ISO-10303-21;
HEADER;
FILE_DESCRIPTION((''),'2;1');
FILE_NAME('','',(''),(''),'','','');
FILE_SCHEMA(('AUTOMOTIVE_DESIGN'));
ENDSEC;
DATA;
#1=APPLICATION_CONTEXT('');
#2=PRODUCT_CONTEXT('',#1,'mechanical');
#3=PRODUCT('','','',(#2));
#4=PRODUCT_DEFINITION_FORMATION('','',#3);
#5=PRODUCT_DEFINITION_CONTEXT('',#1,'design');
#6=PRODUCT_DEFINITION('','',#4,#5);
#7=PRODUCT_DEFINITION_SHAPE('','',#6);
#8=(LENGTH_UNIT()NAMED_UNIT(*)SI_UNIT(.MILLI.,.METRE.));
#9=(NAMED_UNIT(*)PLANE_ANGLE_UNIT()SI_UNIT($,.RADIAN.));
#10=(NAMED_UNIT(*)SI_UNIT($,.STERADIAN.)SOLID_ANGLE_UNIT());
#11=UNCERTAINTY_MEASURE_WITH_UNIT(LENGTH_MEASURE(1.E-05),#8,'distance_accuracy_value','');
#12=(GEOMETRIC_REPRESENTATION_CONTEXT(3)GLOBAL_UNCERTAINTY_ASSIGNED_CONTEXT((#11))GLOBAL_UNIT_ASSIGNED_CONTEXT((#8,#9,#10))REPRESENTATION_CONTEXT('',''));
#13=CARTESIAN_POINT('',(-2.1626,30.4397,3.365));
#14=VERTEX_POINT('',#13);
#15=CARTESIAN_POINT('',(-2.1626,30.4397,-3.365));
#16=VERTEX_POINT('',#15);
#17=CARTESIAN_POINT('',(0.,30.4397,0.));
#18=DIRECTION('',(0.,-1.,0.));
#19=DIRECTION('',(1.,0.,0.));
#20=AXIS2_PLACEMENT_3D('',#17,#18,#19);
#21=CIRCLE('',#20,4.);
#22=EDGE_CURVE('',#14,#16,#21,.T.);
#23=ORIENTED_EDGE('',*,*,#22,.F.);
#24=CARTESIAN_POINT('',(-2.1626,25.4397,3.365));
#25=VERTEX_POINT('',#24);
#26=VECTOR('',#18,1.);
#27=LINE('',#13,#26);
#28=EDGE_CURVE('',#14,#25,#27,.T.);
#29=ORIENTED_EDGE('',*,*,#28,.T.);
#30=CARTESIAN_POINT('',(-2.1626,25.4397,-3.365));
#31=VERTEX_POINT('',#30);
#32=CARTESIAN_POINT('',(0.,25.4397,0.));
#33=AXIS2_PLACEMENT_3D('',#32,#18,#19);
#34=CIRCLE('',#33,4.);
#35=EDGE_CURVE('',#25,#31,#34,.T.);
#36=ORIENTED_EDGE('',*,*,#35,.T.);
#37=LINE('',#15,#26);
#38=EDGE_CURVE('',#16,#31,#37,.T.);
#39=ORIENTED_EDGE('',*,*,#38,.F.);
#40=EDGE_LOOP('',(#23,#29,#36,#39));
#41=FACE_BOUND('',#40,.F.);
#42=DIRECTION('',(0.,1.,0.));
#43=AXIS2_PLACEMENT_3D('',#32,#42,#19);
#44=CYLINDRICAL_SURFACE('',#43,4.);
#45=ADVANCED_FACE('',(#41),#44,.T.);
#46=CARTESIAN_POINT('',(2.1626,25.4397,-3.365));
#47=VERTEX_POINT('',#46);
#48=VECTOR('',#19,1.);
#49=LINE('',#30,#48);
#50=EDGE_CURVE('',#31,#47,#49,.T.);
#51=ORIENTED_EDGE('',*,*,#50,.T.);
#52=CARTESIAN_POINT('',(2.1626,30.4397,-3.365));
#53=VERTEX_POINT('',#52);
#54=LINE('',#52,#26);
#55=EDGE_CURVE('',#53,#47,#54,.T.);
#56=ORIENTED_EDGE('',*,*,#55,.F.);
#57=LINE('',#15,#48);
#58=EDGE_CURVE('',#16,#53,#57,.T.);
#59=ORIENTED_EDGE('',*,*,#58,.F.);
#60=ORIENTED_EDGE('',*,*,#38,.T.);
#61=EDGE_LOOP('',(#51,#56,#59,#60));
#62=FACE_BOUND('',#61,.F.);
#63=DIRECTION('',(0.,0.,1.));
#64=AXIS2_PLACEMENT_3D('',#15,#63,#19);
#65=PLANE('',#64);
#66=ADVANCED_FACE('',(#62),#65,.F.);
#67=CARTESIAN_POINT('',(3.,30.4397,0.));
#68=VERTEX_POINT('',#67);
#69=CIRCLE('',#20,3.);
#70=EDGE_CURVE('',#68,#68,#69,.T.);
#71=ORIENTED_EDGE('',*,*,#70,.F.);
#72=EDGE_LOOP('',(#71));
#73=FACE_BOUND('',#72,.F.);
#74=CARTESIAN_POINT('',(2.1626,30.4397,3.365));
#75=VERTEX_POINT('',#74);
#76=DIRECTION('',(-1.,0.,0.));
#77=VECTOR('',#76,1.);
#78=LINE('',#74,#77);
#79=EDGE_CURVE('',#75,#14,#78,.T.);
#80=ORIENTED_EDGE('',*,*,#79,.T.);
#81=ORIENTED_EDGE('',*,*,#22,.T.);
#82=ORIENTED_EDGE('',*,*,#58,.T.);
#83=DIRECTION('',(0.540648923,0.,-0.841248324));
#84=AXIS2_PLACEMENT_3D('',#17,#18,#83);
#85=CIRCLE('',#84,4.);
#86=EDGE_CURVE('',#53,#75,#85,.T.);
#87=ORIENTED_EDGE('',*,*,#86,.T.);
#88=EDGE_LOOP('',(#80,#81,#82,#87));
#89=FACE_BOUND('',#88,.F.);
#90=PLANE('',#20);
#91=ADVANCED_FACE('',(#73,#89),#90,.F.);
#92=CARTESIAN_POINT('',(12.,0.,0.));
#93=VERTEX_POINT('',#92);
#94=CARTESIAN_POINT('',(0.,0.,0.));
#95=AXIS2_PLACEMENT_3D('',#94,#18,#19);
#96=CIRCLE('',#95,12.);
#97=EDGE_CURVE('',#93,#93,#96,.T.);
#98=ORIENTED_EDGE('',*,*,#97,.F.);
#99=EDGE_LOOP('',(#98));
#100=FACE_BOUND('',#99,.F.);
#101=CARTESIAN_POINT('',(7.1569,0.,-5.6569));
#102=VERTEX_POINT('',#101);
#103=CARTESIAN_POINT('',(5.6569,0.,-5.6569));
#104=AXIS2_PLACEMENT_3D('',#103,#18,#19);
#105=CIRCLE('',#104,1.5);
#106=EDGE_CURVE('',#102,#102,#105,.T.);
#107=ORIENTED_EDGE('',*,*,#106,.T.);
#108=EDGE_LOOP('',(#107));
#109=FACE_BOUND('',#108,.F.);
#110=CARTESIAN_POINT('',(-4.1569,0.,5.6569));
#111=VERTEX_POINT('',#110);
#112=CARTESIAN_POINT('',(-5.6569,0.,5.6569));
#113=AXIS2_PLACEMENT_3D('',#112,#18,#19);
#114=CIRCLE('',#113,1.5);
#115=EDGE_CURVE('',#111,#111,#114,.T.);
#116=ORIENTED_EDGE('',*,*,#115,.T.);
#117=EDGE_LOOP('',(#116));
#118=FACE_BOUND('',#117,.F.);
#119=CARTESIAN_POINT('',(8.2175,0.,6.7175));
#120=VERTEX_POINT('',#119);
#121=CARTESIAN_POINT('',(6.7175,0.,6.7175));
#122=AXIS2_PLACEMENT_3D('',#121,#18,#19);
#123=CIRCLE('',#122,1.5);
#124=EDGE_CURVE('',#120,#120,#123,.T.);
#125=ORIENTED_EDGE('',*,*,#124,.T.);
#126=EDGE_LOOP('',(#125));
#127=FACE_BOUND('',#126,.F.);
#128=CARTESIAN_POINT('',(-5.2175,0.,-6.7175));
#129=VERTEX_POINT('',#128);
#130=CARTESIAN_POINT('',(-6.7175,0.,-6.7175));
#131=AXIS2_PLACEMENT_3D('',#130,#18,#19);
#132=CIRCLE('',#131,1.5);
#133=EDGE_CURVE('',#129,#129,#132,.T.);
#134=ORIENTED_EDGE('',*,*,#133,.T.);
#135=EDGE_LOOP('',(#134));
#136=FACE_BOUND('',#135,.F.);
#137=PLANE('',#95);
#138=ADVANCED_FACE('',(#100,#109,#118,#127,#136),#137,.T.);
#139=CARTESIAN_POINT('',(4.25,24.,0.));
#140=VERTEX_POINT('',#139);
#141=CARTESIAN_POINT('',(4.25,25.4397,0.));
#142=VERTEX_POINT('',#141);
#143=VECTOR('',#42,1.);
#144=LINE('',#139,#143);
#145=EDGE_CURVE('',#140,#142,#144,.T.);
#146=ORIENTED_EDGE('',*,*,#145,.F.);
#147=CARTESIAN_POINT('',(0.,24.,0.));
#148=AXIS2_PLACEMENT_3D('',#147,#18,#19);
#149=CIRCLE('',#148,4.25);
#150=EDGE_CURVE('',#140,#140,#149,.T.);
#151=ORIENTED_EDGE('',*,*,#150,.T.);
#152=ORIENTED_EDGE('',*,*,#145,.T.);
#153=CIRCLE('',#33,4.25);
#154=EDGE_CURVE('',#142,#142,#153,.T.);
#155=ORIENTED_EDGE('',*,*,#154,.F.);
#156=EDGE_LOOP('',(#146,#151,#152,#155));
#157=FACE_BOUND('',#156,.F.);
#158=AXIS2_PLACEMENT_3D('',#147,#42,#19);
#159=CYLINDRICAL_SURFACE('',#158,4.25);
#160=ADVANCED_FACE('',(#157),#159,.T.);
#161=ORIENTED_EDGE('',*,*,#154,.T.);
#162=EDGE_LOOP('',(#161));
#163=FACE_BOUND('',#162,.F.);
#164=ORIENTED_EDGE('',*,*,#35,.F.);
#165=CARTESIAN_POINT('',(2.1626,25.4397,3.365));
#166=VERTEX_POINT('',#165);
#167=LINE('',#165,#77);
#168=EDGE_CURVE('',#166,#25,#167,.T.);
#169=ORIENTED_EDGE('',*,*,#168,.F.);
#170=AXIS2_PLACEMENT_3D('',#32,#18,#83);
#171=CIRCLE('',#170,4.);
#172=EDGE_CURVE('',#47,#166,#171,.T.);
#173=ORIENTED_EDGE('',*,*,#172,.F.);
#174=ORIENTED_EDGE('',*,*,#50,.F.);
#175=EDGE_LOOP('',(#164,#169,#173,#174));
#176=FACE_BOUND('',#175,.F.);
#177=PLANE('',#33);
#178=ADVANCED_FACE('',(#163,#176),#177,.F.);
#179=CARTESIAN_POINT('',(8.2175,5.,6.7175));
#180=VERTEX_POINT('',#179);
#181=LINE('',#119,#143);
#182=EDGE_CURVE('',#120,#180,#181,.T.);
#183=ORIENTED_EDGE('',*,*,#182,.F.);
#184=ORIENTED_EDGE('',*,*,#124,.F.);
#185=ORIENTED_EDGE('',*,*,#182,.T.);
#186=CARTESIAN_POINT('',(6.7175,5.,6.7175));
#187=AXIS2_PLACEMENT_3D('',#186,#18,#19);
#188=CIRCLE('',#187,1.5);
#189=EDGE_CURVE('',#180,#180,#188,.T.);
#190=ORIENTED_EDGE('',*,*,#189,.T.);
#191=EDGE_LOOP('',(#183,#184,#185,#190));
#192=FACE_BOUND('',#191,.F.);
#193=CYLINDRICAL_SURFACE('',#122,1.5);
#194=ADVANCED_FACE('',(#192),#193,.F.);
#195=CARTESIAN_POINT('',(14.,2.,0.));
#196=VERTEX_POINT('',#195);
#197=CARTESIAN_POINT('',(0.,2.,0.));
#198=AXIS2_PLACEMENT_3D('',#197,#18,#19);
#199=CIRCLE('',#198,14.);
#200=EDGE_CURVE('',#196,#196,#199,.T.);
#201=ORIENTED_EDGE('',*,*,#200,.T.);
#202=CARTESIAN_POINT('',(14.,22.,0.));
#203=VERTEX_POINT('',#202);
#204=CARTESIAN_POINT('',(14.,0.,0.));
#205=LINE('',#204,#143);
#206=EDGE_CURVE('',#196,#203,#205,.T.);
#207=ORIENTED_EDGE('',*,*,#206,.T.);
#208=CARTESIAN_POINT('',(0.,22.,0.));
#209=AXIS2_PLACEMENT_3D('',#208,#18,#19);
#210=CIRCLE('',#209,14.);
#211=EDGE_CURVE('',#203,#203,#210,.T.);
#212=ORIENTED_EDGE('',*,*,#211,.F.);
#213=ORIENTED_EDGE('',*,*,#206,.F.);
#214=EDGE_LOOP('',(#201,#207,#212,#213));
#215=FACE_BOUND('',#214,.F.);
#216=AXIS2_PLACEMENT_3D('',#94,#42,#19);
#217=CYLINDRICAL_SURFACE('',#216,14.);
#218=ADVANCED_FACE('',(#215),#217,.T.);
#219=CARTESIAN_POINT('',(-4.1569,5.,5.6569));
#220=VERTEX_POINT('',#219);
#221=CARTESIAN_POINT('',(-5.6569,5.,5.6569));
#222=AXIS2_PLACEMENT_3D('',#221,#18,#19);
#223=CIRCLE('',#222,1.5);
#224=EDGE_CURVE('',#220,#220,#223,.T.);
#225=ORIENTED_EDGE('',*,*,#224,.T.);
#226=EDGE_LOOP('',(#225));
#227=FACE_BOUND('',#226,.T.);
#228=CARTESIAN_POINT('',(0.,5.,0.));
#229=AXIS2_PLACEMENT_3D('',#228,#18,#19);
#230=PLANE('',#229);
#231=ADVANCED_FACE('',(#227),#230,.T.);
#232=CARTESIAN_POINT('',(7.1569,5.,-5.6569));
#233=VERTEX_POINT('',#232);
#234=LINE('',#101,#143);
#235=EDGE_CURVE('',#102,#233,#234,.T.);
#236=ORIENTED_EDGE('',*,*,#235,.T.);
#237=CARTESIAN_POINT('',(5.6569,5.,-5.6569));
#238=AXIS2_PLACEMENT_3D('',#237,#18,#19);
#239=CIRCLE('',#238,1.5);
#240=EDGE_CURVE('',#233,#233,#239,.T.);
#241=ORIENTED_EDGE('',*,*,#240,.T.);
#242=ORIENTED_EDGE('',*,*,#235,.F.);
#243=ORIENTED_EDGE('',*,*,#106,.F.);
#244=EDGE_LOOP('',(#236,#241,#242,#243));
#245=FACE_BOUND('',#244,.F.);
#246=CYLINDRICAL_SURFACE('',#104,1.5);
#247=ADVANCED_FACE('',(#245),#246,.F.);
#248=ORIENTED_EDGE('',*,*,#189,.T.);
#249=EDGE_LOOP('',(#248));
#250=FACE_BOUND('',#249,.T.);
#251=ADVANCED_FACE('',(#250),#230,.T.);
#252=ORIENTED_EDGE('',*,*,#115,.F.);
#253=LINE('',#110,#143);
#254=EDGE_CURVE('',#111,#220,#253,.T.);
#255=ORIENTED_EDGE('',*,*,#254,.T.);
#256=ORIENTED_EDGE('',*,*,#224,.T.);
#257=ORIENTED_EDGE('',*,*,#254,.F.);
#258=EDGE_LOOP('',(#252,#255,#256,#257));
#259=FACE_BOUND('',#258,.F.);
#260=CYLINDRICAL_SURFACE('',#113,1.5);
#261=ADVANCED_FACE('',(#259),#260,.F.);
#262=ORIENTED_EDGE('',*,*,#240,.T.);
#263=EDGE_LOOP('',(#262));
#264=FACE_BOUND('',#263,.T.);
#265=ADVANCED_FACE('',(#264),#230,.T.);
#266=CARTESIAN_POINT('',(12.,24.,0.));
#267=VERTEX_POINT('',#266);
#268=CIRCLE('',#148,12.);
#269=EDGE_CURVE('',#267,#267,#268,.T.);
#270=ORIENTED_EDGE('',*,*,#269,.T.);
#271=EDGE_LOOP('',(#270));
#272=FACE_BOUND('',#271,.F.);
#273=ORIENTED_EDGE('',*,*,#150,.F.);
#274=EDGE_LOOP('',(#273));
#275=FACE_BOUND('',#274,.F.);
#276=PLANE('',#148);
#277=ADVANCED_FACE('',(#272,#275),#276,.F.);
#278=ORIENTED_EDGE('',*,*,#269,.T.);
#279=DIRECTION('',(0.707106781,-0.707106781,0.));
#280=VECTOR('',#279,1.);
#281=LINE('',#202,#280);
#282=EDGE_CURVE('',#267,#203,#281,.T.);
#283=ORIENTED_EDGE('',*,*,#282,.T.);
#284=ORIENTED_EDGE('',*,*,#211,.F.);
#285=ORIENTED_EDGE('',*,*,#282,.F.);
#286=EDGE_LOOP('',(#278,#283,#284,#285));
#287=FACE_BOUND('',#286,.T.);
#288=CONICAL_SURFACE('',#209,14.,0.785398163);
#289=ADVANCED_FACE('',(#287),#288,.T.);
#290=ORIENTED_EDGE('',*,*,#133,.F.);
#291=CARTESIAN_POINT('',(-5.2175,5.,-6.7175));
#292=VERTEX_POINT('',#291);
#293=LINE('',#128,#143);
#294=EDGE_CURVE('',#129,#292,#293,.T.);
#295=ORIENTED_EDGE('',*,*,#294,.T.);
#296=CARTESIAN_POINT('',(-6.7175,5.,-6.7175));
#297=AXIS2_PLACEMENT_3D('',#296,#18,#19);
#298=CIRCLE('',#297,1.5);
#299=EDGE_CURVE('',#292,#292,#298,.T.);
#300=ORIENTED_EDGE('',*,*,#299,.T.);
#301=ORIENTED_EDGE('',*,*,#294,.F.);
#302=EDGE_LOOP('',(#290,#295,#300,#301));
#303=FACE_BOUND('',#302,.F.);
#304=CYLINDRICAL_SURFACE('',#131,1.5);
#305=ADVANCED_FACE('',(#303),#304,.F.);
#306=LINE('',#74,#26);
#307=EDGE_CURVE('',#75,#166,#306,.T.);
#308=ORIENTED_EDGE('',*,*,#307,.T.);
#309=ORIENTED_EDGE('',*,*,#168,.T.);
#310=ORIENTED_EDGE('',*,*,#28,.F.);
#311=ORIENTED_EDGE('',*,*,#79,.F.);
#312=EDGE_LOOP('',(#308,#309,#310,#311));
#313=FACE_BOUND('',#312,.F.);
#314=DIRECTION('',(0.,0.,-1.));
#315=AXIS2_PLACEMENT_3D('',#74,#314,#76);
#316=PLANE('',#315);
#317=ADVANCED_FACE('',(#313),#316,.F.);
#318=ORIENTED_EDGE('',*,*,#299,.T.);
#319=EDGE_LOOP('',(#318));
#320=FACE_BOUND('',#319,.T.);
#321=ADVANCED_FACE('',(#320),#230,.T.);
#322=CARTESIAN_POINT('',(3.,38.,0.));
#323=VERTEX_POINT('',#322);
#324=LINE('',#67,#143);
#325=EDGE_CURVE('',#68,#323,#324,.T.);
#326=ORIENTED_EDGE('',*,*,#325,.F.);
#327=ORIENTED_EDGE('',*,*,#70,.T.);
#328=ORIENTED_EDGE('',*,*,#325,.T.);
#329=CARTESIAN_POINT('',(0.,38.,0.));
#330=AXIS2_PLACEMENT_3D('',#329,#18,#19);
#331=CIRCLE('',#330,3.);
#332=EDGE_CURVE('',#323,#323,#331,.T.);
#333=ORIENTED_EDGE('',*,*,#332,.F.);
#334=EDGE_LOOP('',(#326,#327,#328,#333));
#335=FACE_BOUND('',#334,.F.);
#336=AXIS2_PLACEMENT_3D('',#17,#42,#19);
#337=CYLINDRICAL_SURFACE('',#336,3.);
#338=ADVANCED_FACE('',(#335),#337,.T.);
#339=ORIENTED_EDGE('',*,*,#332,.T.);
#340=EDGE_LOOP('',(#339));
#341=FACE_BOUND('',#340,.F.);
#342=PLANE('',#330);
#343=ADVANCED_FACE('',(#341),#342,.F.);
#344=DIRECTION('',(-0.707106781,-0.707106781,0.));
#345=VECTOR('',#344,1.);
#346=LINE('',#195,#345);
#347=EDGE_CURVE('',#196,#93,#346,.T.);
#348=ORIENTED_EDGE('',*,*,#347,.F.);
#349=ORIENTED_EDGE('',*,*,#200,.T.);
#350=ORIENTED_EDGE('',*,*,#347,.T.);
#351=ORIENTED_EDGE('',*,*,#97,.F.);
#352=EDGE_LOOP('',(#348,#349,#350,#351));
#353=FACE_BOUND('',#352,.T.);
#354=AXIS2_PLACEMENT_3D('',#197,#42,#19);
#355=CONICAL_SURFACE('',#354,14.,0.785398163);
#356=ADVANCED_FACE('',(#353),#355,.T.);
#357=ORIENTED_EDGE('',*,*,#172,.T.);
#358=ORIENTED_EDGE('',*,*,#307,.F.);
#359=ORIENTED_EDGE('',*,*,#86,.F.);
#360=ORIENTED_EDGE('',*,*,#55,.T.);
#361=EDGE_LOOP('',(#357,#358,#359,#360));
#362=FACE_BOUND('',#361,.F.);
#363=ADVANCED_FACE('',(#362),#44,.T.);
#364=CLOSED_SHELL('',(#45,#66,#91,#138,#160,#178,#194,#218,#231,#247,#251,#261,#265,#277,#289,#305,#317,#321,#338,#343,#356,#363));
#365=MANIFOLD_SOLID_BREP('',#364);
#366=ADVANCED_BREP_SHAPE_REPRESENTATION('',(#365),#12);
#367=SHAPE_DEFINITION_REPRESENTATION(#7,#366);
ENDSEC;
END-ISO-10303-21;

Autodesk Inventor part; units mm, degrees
ref_plane "YZ Plane" through (0, 0, 0) normal (1, 0, 0) x (0, 1, 0)
ref_plane "XZ Plane" through (0, 0, 0) normal (0, 1, 0) x (-1, 0, 0)
ref_plane "XY Plane" through (0, 0, 0) normal (0, 0, 1) x (1, 0, 0)
sketch "Sketch1" plane through (0, 0, 0) normal (0, 0, 1) x (1, 0, 0)
  line L0 (0, 0) -> (14, 0)
  line L1 (14, 0) -> (14, 24)
  line L2 (14, 24) -> (4.25, 24)
  line L3 (4.25, 24) -> (4.25, 25.4397)
  line L4 (4.25, 25.4397) -> (4, 25.4397)
  line L5 (3, 38) -> (0, 38)
  line L6 (0, 38) -> (0, 0)
  line L7 (4, 25.4397) -> (4, 30.4397)
  line L8 (4, 30.4397) -> (3, 30.4397)
  line L9 (3, 30.4397) -> (3, 38)
  dimension "d0" = 28
  dimension "d1" = 24
  dimension "d2" = 5
  dimension "d3" = 8
  dimension "d4" = 6
  dimension "d5" = 8.5
  dimension "d6" = 38
revolve "Revolution1" add sketch "Sketch1" angle 360 about axis through (0, 38, 0) along (0, -1, 0)
chamfer "Chamfer1" distance 2 angle 45 2 edges at (-14, 0, 0) (-14, 24, 0)
thread "Thread1" size "M6x1" class "6g" standard "ANSI Metric M Profile" full length
sketch "Sketch2" plane through (0, 30.4397, 0) normal (0, 1, 0) x (1, 0, 0)
  line L0 (-2.1626, 3.365) -> (2.1626, 3.365)
  line L1 (2.1626, 3.365) -> (2.1626, -3.365)
  line L2 (2.1626, -3.365) -> (-2.1626, -3.365)
  line L3 (-2.1626, -3.365) -> (-2.1626, 3.365)
  circle A0 centre (0, 0) radius 3 projected
  circle A1 centre (0, 0) radius 4 projected
  point P0 (2.1626, 0)
  dimension "d13" = 6.73
extrude "Extrusion1" cut sketch "Sketch2" against normal blind 5 contours A1 L0 | L2 A1
sketch "Sketch4" plane through (0, 0, 0) normal (0, -1, 0) x (1, 0, 0)
  circle A0 centre (6.7175, 6.7175) radius 1.5
  circle A1 centre (-6.7175, -6.7175) radius 1.5
  circle A2 centre (-5.6569, 5.6569) radius 1.5
  circle A3 centre (5.6569, -5.6569) radius 1.5
  line L0 (-6.7175, -6.7175) -> (6.7175, 6.7175) construction
  line L1 (-5.6569, 5.6569) -> (5.6569, -5.6569) construction
  line L2 (0, 0) -> (0, 11.5514) construction
  point P0 (0, 0)
  dimension "d20" = 3
  dimension "d21" = 19
  dimension "d22" = 16
  dimension "d23" = 45
extrude "Extrusion3" cut sketch "Sketch4" against normal blind 5
properties part number "Unmodified Motor"
